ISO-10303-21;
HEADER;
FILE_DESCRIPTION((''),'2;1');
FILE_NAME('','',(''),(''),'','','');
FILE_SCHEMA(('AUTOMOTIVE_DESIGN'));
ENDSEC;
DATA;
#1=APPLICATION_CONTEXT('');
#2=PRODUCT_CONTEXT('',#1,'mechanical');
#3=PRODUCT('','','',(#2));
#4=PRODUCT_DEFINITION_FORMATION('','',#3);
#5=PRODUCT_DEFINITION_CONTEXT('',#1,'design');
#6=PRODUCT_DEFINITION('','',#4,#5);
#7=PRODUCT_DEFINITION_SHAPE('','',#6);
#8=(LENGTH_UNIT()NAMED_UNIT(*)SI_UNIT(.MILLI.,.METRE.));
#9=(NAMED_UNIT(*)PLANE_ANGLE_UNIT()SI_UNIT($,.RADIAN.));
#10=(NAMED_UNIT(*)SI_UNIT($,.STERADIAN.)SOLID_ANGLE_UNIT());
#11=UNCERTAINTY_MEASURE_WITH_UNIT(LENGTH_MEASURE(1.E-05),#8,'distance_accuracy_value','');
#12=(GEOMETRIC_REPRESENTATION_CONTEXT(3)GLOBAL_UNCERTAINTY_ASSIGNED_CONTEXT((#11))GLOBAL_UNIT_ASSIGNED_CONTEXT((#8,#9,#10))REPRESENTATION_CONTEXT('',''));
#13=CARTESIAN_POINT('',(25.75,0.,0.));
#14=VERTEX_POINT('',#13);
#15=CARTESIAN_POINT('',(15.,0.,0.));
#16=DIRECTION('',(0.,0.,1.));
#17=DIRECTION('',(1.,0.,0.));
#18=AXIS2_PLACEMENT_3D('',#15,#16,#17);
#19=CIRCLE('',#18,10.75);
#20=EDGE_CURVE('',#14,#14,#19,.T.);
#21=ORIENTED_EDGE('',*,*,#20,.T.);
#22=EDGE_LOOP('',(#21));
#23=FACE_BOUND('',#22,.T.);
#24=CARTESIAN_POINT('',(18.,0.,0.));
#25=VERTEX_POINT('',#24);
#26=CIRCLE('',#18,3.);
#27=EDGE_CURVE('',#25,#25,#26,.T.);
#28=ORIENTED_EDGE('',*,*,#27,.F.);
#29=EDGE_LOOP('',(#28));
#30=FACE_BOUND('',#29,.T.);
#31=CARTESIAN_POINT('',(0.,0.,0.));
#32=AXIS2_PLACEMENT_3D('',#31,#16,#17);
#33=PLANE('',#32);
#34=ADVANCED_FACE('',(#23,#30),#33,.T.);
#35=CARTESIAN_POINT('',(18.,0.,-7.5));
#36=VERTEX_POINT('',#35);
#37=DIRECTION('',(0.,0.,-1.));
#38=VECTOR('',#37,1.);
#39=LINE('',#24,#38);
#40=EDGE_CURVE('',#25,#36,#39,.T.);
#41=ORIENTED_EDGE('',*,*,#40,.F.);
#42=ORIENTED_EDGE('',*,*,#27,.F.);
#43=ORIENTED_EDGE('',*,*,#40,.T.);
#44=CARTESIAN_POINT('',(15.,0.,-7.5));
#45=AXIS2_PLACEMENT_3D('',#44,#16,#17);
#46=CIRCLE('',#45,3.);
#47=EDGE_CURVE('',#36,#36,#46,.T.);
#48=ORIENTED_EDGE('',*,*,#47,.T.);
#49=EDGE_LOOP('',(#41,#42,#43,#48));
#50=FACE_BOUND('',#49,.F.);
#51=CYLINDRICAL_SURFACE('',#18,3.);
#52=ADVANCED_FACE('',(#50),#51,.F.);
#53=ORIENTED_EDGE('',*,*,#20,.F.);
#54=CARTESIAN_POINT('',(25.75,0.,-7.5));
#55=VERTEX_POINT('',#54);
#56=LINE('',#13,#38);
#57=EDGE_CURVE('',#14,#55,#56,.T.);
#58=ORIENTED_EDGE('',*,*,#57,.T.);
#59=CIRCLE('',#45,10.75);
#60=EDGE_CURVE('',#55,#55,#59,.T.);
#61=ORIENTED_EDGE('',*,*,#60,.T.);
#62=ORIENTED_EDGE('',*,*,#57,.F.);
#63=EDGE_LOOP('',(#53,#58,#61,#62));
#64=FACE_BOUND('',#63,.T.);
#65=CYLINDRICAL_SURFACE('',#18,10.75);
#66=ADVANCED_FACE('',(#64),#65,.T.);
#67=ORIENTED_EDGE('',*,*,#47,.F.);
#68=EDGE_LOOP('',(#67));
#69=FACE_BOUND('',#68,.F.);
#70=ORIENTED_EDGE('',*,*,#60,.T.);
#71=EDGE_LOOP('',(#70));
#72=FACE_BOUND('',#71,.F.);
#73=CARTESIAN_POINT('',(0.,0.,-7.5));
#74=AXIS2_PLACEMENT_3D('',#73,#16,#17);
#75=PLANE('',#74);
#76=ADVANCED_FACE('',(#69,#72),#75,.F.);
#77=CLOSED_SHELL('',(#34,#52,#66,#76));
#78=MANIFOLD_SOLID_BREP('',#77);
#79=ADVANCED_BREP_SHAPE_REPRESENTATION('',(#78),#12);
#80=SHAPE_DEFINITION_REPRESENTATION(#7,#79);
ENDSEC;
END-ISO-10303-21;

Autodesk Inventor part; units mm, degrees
ref_plane "YZ Plane" through (0, 0, 0) normal (1, 0, 0) x (0, 1, 0)
ref_plane "XZ Plane" through (0, 0, 0) normal (0, 1, 0) x (-1, 0, 0)
ref_plane "XY Plane" through (0, 0, 0) normal (0, 0, 1) x (1, 0, 0)
sketch "Sketch1" plane through (0, 0, 0) normal (0, 0, 1) x (1, 0, 0)
  circle A0 centre (15, 0) radius 2.5 projected
  circle A1 centre (15, 0) radius 3
  circle A2 centre (15, 0) radius 10.75
  point P0 (0, 0)
  dimension "d0" = 6
  dimension "d1" = 21.5
extrude "Extrusion1" add sketch "Sketch1" against normal blind 7.5 contours A2
properties part number "rodamiento_carril"
